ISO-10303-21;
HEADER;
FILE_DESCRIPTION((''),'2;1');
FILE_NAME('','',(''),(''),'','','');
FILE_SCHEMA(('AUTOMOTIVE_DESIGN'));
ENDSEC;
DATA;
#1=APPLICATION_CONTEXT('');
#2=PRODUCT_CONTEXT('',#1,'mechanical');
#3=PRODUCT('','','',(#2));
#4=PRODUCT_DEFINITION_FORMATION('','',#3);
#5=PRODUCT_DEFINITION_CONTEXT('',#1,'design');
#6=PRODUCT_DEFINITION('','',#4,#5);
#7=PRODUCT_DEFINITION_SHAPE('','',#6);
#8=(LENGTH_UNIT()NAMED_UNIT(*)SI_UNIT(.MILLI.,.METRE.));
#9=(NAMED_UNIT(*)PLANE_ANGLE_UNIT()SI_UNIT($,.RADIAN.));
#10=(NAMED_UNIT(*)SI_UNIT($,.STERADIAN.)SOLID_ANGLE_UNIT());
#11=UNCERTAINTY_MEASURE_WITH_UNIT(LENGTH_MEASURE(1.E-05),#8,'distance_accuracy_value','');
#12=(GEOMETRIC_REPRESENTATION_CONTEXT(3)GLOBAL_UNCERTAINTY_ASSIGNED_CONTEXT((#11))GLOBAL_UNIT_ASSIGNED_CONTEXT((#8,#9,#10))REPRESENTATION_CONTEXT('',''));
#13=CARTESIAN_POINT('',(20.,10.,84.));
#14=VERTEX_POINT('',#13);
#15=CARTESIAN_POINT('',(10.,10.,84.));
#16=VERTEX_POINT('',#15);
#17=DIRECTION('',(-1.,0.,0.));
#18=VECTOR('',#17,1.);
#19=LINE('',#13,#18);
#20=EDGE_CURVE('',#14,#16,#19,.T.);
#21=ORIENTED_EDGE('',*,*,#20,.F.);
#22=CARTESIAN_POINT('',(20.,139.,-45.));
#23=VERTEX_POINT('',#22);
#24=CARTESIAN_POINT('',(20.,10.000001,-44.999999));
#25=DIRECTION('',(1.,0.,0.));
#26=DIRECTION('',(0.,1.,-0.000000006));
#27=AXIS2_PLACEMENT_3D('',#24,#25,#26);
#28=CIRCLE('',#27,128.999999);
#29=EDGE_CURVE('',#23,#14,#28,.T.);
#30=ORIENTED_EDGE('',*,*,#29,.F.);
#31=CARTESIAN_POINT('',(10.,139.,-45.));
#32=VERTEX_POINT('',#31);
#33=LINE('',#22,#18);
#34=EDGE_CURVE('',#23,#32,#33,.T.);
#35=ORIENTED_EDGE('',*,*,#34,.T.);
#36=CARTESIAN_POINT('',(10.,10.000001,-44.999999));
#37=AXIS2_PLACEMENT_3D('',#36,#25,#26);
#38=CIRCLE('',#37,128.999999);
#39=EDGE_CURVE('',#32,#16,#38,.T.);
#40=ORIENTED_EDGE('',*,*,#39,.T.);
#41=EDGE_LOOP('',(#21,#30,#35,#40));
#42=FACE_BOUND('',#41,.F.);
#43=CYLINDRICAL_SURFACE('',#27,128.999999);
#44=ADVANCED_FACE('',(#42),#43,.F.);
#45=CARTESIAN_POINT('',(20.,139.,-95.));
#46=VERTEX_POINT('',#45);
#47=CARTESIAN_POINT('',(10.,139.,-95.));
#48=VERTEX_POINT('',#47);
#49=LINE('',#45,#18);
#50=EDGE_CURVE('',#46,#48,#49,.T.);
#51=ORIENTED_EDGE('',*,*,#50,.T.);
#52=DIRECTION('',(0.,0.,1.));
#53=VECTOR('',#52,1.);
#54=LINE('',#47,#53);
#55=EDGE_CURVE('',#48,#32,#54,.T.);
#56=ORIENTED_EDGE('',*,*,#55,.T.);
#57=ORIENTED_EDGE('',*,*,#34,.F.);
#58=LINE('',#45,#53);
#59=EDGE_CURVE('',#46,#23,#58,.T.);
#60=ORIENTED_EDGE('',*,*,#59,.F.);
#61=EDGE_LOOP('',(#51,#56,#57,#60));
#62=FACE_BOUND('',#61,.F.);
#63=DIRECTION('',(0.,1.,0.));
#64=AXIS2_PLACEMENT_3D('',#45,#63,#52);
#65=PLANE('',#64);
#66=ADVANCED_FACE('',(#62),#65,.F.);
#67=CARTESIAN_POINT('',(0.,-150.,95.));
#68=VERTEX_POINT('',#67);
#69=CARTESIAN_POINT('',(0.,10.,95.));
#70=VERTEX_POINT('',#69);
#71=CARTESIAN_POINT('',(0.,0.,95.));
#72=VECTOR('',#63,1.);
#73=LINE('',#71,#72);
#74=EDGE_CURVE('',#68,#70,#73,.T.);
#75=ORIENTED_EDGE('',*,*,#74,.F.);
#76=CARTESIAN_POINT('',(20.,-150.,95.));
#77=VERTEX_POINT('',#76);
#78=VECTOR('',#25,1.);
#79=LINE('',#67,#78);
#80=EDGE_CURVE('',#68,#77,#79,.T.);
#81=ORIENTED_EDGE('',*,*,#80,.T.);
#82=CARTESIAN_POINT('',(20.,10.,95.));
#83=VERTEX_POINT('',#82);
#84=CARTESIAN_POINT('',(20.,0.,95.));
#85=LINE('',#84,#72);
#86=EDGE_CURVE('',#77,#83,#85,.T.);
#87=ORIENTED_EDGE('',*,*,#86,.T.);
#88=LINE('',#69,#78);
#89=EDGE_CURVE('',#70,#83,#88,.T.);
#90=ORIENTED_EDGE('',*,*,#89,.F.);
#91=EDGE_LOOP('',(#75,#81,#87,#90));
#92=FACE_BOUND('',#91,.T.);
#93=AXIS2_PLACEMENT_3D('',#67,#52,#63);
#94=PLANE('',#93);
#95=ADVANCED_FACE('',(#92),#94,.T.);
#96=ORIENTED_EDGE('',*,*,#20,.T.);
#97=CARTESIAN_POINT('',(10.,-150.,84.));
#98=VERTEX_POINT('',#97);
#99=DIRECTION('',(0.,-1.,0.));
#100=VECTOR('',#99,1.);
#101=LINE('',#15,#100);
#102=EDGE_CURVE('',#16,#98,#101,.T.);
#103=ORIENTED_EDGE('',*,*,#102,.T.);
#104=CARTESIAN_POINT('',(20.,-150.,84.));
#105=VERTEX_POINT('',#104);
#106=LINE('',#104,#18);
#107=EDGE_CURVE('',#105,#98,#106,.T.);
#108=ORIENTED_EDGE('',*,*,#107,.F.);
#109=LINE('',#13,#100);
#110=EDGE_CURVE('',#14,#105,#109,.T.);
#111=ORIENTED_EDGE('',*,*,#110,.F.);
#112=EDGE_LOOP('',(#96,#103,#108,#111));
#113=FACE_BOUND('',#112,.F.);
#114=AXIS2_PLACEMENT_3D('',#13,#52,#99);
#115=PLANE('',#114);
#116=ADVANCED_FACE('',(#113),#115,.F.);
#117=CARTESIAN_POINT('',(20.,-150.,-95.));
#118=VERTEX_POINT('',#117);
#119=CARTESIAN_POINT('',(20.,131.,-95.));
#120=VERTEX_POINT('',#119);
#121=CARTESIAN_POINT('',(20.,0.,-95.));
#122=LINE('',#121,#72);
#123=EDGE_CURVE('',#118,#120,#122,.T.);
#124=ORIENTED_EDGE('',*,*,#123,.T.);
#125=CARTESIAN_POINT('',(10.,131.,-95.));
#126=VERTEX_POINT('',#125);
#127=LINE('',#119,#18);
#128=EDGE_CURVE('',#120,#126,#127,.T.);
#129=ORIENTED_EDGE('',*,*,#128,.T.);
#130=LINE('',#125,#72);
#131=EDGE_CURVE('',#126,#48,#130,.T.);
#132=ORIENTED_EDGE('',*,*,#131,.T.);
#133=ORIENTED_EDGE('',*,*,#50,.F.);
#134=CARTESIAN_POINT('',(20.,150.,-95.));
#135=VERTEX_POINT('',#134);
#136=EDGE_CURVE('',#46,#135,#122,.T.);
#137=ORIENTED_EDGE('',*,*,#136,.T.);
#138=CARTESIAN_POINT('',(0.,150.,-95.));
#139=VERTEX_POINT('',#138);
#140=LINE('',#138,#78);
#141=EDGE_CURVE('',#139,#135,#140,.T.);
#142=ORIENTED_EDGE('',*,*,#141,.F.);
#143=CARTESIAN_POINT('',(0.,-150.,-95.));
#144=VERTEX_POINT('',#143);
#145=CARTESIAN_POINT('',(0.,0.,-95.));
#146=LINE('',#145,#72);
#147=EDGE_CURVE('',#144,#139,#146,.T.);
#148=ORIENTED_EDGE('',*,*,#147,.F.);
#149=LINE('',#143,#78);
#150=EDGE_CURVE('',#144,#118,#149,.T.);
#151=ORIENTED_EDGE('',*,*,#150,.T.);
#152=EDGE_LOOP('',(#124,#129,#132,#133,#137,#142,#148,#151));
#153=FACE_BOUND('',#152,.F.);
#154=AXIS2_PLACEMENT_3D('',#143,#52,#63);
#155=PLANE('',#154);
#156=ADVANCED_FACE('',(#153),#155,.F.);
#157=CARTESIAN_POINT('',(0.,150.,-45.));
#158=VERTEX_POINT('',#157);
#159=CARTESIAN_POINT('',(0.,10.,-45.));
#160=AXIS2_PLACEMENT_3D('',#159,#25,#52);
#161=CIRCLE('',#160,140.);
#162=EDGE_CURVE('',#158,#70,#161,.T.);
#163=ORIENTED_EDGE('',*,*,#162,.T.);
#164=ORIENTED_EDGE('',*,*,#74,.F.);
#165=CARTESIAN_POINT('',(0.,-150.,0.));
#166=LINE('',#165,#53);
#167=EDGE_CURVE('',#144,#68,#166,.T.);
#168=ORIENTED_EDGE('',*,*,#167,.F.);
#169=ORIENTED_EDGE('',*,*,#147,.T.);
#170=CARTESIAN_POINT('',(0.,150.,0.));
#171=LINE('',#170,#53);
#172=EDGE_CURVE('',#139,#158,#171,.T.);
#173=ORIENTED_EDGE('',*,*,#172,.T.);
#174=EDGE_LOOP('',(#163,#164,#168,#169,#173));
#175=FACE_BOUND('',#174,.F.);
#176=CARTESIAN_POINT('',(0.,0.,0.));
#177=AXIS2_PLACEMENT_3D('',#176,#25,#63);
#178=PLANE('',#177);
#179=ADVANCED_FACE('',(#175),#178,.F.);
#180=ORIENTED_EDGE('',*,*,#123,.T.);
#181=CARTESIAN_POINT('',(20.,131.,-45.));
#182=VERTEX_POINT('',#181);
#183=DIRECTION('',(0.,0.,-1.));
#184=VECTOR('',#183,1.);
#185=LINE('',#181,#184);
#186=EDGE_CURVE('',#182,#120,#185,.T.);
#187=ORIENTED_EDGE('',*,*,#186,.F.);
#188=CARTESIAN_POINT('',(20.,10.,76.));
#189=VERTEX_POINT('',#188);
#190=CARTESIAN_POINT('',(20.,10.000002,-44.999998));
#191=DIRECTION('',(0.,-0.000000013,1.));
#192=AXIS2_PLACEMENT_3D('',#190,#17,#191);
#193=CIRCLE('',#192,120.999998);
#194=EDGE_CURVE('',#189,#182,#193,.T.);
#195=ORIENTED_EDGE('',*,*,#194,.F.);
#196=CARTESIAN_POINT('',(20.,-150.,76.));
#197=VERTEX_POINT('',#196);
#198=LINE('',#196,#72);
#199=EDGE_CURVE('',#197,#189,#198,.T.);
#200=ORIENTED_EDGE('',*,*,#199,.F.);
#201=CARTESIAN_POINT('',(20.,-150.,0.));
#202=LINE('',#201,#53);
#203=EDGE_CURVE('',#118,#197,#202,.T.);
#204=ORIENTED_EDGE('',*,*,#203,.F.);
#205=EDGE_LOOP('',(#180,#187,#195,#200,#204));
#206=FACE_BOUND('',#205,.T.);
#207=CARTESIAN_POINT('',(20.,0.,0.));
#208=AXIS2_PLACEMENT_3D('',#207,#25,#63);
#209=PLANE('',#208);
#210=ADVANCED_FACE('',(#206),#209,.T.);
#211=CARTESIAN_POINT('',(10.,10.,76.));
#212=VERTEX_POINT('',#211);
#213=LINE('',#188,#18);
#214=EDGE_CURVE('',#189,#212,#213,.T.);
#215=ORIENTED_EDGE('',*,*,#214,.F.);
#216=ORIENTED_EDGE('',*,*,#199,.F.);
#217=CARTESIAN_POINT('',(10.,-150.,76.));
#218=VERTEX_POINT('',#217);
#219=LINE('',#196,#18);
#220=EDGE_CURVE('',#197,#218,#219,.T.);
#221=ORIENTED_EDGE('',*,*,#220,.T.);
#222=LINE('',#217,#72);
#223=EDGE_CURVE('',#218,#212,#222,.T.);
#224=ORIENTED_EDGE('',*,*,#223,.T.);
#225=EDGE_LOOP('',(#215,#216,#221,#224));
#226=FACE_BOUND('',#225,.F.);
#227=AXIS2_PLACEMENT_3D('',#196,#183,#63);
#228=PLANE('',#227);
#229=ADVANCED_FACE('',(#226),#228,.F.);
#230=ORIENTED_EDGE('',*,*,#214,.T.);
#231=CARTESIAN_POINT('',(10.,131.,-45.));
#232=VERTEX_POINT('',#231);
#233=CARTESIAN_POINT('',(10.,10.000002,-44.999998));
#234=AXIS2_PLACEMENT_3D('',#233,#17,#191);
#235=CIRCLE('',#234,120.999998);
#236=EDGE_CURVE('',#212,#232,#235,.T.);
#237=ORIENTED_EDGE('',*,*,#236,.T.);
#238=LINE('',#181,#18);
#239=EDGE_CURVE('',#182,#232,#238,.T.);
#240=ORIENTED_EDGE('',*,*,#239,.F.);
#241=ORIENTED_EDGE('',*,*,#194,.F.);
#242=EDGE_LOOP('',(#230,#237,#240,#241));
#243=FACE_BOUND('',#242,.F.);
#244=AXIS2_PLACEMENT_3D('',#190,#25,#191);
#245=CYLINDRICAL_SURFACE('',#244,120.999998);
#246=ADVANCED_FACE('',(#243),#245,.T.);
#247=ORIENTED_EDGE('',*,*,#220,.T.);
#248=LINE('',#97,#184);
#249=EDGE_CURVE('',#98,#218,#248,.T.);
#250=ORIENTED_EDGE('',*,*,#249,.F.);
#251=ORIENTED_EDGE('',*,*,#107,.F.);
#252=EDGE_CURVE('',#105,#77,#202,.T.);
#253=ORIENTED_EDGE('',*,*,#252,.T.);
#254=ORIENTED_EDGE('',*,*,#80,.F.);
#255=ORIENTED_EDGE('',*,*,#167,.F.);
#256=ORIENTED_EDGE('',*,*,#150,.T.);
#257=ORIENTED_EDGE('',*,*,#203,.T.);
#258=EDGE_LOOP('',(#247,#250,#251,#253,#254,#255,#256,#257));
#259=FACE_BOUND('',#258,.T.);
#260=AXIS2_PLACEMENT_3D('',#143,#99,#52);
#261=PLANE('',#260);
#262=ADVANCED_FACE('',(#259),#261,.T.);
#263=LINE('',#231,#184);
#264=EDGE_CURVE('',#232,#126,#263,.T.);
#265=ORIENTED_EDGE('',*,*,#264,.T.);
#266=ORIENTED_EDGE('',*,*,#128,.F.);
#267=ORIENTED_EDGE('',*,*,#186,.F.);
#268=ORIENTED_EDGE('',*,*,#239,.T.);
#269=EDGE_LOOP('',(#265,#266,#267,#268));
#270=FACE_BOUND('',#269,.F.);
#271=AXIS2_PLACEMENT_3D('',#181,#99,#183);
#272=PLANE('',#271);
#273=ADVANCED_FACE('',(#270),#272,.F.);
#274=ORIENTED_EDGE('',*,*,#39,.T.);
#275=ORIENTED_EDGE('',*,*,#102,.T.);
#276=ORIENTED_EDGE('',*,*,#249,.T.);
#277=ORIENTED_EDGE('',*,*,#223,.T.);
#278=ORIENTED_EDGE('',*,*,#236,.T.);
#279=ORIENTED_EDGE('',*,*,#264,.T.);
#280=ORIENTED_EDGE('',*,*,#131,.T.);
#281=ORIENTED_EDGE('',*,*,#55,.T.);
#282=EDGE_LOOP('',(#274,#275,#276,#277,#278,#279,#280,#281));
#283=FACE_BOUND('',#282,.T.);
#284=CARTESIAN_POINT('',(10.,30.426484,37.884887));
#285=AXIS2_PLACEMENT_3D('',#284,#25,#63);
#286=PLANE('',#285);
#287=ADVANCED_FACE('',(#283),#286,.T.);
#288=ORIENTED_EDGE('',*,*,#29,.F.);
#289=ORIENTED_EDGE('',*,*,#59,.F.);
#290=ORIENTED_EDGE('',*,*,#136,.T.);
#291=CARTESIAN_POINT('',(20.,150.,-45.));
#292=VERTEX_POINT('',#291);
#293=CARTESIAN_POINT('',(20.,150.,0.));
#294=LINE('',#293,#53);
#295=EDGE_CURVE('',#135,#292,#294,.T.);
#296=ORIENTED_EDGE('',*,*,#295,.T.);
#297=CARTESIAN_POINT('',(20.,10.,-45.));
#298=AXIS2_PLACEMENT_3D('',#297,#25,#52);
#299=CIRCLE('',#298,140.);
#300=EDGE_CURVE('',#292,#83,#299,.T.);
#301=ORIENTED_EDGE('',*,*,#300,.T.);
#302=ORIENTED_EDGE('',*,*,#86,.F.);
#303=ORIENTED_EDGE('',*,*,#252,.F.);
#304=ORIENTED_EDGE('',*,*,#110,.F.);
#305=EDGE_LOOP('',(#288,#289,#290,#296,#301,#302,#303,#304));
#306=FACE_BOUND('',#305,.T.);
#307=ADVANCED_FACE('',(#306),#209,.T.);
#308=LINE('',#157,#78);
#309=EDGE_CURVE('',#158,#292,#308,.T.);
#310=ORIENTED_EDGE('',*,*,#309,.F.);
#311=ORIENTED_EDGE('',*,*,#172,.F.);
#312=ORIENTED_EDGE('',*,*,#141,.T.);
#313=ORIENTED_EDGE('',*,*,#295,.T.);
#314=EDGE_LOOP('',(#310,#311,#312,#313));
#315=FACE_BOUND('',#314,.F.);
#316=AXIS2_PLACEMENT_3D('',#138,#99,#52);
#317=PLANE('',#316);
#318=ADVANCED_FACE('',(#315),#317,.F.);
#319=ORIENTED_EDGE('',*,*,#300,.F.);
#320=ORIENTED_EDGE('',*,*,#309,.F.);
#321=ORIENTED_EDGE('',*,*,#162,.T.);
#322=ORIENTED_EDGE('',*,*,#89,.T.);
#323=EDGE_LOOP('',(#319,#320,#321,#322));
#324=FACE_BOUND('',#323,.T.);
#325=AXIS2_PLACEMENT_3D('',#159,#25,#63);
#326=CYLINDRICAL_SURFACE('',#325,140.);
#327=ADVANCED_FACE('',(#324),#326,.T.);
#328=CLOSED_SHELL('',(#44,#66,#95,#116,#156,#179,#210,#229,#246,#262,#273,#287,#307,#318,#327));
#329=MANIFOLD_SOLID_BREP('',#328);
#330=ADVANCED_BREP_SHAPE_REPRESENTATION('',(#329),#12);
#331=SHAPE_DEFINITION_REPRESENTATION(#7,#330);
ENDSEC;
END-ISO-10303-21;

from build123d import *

# Parameters (mm, degrees)
F0_W     = 300
F0_H     = 190
F1_DEPTH = 20
F2_R     = 140
F4_DEPTH = 10


with BuildPart() as f1:
    # F0 (on Right) → F1 (new body)
    with BuildSketch(Plane.YZ):
        Rectangle(F0_W, F0_H)
    extrude(amount=F1_DEPTH)

    # F2
    f2_edges = [f1.edges().sort_by_distance(p)[0] for p in [
        (10, 150, 95),
    ]]
    fillet(f2_edges, radius=F2_R)

    # F3 (on face) → F4 (cut)
    with BuildSketch(Plane.YZ.offset(20)):
        with BuildLine():
            Line((131, -95), (139, -95))
            Line((139, -95), (139, -45))
            ThreePointArc((139, -45), (101.216775, 46.216775), (10, 84))
            Line((10, 84), (-150, 84))
            Line((-150, 84), (-150, 76))
            Line((-150, 76), (10, 76))
            ThreePointArc((10, 76), (95.559921, 40.559921), (131, -45))
            Line((131, -45), (131, -95))
        make_face()
    extrude(amount=-F4_DEPTH, mode=Mode.SUBTRACT)


solid = f1.part
